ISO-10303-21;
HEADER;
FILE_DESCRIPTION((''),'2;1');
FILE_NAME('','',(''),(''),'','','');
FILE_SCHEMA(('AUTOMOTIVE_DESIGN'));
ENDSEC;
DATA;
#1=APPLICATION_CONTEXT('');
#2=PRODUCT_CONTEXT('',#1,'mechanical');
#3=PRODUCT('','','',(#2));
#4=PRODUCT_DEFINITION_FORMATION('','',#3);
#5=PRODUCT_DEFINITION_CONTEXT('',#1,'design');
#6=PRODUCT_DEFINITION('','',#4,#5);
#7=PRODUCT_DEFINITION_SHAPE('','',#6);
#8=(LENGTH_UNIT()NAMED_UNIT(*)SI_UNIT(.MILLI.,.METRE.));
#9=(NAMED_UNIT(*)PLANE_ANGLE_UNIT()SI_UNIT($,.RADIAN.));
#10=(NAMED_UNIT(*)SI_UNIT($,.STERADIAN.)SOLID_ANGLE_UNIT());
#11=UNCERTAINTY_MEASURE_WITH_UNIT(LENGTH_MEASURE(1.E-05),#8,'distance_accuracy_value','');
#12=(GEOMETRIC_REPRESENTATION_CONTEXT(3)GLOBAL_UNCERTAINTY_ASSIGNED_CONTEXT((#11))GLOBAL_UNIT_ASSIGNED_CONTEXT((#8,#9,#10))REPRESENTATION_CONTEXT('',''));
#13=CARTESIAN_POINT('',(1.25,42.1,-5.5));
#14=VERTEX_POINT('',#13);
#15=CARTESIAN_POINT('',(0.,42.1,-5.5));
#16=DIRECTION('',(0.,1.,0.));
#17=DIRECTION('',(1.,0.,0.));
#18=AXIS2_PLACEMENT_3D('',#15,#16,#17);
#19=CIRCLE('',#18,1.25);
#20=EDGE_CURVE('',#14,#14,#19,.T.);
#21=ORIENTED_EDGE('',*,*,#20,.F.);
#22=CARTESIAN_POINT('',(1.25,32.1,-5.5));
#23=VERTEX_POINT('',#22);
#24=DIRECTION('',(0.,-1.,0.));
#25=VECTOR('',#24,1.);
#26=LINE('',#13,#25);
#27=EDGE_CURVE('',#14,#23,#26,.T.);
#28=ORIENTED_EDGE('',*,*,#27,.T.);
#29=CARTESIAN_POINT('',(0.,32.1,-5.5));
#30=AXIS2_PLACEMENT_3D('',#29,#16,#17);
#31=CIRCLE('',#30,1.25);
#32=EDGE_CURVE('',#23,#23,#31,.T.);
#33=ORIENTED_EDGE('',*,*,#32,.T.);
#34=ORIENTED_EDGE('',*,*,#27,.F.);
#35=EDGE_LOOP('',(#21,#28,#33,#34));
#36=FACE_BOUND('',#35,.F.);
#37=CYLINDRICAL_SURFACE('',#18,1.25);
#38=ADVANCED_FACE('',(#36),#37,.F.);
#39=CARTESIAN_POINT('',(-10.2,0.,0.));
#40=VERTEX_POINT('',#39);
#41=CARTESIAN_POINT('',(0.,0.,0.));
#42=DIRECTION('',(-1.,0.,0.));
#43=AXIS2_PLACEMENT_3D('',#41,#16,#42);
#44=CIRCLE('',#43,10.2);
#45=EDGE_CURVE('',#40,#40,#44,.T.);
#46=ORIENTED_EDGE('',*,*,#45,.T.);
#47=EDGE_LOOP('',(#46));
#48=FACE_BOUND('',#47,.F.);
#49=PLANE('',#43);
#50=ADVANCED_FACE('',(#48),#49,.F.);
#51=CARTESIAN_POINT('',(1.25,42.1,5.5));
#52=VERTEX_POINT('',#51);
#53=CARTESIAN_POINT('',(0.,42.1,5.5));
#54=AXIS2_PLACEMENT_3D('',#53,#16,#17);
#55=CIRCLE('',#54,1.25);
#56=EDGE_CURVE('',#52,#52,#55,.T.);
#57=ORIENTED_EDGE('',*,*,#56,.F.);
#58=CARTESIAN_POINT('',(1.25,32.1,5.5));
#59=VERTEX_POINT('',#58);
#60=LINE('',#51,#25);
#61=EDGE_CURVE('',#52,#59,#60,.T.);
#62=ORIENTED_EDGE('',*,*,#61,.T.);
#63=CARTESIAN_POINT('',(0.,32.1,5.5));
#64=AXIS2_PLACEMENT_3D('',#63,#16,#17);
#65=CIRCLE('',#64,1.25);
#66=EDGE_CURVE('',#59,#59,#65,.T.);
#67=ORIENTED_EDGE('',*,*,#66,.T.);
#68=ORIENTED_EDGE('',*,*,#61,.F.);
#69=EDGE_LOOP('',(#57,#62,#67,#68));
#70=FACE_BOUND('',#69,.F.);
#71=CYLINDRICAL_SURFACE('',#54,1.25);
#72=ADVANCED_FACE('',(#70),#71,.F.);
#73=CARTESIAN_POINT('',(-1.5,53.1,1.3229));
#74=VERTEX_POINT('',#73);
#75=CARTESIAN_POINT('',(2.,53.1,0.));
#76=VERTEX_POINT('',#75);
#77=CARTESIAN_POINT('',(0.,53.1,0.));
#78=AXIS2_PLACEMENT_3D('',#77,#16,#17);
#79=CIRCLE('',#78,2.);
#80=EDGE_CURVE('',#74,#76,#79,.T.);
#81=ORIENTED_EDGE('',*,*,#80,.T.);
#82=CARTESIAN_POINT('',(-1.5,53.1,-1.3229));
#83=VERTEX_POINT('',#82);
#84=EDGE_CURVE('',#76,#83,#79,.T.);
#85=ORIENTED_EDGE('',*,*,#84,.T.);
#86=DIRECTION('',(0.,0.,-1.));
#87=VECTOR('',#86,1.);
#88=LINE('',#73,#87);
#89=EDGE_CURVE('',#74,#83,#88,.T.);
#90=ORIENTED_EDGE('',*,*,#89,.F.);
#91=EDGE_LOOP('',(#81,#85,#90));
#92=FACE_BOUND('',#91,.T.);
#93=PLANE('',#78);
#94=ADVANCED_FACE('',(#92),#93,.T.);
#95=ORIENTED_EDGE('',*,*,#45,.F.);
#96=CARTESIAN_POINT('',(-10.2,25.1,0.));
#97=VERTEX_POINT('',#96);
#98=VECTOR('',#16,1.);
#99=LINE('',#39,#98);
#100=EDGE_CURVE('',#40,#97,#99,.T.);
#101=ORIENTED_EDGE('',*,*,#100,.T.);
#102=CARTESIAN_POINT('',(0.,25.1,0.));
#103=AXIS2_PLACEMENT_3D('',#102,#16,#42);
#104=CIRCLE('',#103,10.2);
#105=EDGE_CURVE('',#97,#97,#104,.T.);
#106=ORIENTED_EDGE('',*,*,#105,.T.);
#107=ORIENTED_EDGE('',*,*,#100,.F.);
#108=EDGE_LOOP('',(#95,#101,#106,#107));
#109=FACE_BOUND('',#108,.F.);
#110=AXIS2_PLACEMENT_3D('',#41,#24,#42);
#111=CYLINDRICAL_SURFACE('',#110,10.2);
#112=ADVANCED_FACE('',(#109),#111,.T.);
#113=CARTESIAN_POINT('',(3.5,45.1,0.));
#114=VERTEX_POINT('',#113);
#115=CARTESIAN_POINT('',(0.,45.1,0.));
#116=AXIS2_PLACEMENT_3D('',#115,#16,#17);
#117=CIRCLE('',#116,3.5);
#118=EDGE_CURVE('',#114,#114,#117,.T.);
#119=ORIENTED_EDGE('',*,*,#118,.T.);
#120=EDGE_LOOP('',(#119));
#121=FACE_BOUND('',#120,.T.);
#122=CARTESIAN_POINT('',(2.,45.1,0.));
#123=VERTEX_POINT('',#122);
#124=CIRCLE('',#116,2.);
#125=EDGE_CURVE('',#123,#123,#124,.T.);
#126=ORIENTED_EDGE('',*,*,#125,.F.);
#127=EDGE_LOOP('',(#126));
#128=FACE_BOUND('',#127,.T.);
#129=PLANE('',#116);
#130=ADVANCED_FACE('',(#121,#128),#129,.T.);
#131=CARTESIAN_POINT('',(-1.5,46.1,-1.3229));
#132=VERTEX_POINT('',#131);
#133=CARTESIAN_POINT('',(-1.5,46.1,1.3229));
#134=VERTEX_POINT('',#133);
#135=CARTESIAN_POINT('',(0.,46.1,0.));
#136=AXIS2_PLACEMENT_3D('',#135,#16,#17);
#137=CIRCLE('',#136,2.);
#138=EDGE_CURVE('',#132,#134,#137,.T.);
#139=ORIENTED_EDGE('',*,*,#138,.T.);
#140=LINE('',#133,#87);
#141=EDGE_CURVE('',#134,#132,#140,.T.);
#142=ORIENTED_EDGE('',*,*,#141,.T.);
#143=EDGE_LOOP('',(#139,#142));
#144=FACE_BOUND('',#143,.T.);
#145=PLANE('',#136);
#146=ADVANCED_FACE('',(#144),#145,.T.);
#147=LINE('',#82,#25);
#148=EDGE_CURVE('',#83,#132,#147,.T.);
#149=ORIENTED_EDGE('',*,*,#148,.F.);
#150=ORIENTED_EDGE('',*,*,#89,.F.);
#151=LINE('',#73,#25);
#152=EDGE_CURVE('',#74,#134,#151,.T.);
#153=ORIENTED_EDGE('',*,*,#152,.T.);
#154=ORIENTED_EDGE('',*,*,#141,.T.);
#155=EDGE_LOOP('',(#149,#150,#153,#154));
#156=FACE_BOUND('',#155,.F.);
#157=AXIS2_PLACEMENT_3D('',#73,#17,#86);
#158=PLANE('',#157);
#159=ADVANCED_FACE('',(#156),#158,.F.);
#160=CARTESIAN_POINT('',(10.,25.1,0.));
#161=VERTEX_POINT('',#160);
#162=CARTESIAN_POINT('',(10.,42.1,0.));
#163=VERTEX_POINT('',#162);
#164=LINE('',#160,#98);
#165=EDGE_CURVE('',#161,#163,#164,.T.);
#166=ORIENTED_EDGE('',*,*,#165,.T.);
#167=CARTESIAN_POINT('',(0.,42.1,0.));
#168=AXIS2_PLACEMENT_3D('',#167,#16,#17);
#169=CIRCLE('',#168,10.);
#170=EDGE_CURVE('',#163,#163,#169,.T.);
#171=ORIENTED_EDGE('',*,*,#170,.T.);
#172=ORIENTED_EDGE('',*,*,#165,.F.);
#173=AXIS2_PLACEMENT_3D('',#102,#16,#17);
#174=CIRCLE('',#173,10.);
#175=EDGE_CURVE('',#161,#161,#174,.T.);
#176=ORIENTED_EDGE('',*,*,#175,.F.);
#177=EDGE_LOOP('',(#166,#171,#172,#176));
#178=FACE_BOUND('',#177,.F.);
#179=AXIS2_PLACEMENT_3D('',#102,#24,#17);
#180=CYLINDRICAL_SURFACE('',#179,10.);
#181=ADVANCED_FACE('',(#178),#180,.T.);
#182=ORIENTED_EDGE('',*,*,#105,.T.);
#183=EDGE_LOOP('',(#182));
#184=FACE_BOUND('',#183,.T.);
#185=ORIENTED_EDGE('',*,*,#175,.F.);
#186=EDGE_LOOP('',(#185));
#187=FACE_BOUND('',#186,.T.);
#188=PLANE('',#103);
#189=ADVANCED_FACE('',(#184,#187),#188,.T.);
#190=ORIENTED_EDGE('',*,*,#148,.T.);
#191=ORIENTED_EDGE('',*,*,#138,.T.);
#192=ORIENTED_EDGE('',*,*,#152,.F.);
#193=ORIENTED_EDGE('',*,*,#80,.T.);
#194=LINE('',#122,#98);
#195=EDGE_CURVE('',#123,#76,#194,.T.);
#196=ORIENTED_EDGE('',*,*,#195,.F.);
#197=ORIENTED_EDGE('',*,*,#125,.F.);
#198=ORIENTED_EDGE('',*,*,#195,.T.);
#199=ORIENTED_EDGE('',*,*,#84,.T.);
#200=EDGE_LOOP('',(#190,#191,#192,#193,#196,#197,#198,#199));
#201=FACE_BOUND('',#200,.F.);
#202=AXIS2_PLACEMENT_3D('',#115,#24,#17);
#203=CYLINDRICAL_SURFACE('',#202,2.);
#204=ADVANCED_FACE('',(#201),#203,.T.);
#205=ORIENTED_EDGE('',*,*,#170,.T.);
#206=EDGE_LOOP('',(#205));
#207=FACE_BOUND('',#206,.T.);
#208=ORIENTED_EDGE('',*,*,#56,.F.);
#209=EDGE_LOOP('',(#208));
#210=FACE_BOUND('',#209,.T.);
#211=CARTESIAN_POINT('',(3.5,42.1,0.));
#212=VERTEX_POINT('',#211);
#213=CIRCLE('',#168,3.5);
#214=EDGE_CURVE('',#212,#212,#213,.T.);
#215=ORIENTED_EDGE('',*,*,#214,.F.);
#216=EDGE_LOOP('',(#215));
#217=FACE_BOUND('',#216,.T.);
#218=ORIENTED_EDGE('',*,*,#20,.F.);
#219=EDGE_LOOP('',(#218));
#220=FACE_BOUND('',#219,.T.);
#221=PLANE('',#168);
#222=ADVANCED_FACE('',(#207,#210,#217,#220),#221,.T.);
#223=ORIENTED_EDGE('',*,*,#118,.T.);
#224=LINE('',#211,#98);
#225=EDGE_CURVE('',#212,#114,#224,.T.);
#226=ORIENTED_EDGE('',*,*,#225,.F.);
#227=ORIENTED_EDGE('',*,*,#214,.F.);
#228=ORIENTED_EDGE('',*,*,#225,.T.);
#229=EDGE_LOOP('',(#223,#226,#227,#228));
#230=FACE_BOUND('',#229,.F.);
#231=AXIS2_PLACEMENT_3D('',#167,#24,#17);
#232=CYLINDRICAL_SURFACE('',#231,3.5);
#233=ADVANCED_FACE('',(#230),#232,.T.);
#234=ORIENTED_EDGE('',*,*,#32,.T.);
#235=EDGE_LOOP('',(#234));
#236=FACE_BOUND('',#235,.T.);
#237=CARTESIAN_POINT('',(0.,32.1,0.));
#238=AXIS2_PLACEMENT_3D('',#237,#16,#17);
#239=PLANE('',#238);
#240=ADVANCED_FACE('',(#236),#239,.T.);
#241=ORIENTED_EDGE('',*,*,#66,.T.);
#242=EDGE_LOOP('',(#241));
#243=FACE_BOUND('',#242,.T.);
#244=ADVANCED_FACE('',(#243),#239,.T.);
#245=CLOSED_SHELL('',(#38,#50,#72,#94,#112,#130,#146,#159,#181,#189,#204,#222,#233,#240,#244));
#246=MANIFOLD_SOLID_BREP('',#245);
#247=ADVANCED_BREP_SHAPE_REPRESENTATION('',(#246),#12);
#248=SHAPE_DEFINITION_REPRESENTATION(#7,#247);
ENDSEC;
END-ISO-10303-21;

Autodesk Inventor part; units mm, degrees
ref_plane "YZ Plane" through (0, 0, 0) normal (1, 0, 0) x (0, 1, 0)
ref_plane "XZ Plane" through (0, 0, 0) normal (0, 1, 0) x (-1, 0, 0)
ref_plane "XY Plane" through (0, 0, 0) normal (0, 0, 1) x (1, 0, 0)
sketch "Sketch1" plane through (0, 0, 0) normal (0, 1, 0) x (-1, 0, 0)
  circle A0 centre (0, 0) radius 10.2
  dimension "d0" = 20.4
extrude "Extrusion1" add sketch "Sketch1" along normal blind 25.1
sketch "Sketch2" plane through (0, 25.1, 0) normal (0, 1, 0) x (1, 0, 0)
  circle A0 centre (0, 0) radius 10
  dimension "d3" = 20
extrude "Extrusion2" add sketch "Sketch2" along normal blind 17
sketch "Sketch3" plane through (0, 42.1, 0) normal (0, 1, 0) x (1, 0, 0)
  circle A0 centre (0, 0) radius 3.5
  dimension "d6" = 7
extrude "Extrusion3" add sketch "Sketch3" along normal blind 3
sketch "Sketch4" plane through (0, 45.1, 0) normal (0, 1, 0) x (1, 0, 0)
  circle A0 centre (0, 0) radius 10 projected
  circle A1 centre (0, 0) radius 2
  dimension "d9" = 4
extrude "Extrusion4" add sketch "Sketch4" along normal blind 8 contours A1
sketch "Sketch5" plane through (0, 53.1, 0) normal (0, 1, 0) x (1, 0, 0)
  circle A0 centre (0, 0) radius 2 projected
  circle A1 centre (0, 0) radius 2 projected
  line L0 (-1.5, -1.3229) -> (-1.5, 1.3229)
  point P0 (-2, 0)
  dimension "d12" = 0.5
extrude "Extrusion5" cut sketch "Sketch5" against normal blind 7 contours L0 A0 picked at (-1.5908, -0.3089)
sketch "Sketch6" plane through (0, 42.1, 0) normal (0, 1, 0) x (1, 0, 0)
  circle A0 centre (0, 5.5) radius 1.25
  line L0 (0, 0) -> (3.5, 0) construction
  circle A1 centre (0, 0) radius 3.5 projected
  circle A2 centre (0, -5.5) radius 1.25
  dimension "d15" = 2.5
  dimension "d16" = 11
extrude "Extrusion6" cut sketch "Sketch6" against normal blind 10 contours A0 | A2
properties part number "Stirring motor"
